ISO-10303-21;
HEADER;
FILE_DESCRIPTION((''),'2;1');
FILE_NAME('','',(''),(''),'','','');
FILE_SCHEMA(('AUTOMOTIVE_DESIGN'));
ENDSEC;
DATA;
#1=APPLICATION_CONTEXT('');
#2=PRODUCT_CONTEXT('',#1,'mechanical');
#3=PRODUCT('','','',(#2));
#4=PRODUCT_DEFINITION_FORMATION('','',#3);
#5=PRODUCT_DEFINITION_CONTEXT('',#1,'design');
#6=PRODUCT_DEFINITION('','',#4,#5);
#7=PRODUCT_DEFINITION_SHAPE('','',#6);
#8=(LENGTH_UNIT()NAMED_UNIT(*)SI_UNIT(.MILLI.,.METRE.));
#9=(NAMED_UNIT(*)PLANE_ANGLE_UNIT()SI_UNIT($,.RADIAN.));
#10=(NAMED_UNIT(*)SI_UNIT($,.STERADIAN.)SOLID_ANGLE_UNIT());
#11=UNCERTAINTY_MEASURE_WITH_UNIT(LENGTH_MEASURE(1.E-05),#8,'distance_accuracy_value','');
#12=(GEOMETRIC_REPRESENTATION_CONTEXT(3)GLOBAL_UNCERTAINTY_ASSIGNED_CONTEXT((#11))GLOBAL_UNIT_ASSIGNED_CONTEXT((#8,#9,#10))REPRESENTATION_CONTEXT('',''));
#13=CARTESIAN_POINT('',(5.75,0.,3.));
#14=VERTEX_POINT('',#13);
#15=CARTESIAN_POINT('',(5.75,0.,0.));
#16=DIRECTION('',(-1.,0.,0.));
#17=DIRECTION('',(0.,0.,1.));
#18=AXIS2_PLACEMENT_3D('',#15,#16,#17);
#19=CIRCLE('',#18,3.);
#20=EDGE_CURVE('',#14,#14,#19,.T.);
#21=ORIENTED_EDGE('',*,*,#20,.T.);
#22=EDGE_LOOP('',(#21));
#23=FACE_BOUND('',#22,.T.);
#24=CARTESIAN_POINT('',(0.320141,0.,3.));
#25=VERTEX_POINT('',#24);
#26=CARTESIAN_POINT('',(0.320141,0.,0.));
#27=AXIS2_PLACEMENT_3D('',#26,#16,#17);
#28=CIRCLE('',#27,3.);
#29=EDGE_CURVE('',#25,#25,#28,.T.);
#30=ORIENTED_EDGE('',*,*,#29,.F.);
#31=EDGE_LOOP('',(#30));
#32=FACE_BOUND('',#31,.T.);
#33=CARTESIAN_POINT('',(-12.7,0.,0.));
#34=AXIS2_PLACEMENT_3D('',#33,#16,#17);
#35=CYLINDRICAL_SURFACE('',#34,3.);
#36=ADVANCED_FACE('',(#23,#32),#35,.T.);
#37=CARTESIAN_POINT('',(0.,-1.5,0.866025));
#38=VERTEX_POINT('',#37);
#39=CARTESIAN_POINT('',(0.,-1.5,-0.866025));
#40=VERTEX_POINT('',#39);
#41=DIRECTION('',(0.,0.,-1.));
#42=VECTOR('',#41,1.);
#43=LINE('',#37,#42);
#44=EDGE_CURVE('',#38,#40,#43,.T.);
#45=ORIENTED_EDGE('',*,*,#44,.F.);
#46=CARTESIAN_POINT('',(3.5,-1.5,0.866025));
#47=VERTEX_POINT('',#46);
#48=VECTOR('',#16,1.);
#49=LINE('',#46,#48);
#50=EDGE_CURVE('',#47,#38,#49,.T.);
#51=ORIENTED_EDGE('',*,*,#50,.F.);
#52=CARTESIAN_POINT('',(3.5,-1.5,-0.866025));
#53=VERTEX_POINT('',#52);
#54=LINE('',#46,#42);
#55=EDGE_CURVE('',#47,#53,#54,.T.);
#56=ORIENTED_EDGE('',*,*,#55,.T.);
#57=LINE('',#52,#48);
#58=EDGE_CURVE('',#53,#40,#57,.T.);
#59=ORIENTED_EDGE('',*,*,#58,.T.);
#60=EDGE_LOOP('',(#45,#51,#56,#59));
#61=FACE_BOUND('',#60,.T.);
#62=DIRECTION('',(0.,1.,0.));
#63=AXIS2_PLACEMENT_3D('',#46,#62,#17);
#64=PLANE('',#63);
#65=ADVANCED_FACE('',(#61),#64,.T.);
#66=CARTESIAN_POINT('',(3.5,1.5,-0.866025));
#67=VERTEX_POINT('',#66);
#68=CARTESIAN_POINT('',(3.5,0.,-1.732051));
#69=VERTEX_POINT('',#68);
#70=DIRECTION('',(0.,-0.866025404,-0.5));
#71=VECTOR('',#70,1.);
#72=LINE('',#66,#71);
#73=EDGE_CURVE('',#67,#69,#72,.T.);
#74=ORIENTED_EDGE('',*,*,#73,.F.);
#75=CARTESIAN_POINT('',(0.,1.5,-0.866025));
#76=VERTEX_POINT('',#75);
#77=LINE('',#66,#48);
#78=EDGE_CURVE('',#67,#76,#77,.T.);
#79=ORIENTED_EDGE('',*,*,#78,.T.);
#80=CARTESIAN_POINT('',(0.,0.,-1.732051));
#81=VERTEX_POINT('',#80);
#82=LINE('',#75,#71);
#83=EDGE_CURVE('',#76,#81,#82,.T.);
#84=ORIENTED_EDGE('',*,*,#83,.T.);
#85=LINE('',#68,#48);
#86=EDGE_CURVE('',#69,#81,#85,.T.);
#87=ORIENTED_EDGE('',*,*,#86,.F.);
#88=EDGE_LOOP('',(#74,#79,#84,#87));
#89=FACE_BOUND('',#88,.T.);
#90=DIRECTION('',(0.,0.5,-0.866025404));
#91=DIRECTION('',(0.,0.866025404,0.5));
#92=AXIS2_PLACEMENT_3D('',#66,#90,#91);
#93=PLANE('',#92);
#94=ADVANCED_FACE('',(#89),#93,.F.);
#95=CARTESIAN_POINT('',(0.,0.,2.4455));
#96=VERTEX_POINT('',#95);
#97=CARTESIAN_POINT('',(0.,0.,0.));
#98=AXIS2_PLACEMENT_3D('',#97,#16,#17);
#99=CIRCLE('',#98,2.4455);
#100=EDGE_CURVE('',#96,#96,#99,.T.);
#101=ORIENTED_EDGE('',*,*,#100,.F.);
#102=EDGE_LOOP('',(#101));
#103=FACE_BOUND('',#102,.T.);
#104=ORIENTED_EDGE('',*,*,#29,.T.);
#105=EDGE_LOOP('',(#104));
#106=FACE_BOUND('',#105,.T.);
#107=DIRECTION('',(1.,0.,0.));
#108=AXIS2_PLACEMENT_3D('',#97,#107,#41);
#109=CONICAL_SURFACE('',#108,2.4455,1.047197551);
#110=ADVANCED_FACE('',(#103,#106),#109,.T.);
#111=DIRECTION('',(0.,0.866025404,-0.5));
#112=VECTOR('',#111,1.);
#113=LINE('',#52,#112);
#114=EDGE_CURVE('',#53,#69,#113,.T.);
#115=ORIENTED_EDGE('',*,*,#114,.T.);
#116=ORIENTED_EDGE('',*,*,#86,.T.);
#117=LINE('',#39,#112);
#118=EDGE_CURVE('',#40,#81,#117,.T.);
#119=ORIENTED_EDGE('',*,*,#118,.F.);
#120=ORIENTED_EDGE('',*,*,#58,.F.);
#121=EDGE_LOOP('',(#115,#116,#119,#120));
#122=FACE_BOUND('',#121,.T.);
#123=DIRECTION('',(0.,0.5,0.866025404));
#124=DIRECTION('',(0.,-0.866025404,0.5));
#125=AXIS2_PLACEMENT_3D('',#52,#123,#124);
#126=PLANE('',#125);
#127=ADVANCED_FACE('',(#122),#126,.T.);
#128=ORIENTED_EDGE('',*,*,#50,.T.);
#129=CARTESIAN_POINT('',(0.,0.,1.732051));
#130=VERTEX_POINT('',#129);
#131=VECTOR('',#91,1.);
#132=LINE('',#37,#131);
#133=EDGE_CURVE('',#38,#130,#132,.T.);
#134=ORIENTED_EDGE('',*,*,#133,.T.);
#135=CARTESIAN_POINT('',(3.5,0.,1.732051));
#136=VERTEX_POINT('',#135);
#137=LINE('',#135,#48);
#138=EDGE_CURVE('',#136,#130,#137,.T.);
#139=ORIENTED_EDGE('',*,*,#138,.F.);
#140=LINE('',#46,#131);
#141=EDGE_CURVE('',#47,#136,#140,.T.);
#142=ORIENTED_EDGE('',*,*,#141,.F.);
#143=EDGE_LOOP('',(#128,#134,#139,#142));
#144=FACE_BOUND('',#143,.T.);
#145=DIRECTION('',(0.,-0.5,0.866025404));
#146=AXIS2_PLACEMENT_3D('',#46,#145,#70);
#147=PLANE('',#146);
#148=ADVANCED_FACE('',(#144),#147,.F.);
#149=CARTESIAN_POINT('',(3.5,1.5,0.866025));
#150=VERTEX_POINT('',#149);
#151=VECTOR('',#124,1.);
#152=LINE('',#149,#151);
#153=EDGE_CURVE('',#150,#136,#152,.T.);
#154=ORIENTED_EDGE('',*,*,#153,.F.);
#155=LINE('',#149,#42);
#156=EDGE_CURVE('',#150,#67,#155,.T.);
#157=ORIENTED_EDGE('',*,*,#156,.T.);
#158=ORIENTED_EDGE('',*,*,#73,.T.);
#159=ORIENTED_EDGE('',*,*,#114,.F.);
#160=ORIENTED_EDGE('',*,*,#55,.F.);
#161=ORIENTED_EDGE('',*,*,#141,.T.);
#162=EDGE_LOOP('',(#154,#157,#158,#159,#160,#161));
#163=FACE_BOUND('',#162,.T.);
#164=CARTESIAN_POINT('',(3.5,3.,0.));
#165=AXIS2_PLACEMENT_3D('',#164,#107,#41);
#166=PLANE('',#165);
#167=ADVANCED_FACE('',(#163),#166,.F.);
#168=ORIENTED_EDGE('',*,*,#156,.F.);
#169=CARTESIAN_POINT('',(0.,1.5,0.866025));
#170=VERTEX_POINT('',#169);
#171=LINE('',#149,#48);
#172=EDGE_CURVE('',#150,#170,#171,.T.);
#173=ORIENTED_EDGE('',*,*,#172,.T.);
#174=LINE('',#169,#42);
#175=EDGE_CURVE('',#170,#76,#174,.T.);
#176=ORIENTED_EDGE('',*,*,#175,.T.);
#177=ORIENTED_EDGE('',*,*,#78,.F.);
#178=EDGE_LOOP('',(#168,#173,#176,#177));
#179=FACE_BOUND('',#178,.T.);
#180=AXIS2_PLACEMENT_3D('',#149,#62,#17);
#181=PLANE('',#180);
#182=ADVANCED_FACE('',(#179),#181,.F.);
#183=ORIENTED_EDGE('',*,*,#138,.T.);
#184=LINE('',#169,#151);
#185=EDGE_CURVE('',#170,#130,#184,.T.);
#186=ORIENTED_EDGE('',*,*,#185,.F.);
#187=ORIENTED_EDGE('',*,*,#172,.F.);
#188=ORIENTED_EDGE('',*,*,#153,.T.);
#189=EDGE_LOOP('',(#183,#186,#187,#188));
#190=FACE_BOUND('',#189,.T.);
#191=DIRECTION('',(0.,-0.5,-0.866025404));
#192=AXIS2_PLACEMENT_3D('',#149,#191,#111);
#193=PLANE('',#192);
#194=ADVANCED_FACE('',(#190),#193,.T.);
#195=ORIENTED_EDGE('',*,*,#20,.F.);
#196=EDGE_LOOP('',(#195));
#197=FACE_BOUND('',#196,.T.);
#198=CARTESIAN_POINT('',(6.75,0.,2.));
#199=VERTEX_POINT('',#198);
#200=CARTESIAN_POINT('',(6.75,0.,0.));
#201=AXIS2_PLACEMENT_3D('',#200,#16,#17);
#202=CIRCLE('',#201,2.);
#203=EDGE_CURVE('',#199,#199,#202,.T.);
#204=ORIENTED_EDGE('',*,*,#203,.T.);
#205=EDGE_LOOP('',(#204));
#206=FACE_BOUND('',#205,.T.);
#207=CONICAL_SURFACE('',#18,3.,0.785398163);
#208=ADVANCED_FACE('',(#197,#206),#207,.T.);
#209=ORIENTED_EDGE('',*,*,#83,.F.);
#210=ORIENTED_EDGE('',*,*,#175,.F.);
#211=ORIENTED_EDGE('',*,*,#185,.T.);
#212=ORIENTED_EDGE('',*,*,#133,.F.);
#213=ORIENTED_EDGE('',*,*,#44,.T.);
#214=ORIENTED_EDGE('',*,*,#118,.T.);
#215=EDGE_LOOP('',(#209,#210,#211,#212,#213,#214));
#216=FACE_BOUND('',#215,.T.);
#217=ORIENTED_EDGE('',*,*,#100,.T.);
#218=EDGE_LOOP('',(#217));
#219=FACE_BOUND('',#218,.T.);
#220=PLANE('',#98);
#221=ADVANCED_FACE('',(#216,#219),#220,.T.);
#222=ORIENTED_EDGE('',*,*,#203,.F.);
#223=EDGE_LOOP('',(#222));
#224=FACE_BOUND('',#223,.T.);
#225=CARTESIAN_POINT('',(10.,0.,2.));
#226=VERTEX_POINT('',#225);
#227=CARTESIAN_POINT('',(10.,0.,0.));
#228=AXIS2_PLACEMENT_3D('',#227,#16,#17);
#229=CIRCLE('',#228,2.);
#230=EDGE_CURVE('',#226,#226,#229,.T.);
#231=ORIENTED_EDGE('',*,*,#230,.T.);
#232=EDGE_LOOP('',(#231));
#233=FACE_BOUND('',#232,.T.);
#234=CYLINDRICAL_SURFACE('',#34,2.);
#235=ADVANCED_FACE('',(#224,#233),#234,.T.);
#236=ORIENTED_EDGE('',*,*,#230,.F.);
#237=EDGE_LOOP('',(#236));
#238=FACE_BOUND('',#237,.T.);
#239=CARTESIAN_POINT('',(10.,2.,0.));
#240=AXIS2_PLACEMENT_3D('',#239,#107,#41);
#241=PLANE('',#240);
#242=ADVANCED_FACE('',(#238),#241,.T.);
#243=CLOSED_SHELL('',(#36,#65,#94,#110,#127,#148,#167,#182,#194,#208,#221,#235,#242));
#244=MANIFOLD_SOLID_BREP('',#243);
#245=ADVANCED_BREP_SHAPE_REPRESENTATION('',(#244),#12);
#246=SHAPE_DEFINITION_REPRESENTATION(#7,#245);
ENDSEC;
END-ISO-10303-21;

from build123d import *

# Parameters (mm, degrees)
HEX_2_DEPTH = 3.5


with BuildPart() as part:
    # BodySke → BaseBody (revolve)
    with BuildSketch(Plane.XY, mode=Mode.PRIVATE) as basebody_sk:
        Polygon((0, 0), (0, 2.4455), (0.320140724, 3), (5.75, 3), (6.75, 2), (10, 2), (10, 0), align=None)
    revolve(basebody_sk.sketch.rotate(Axis((-12.7, 0, 0), (1, 0, 0)), 90), axis=Axis((-12.7, 0, 0), (1, 0, 0)))

    # Sketch2 → Hex 2 (cut)
    with BuildSketch(Plane.ZY):
        Polygon((0.866025404, 1.5), (-0.866025404, 1.5), (-1.732050808, 0), (-0.866025404, -1.5), (0.866025404, -1.5), (1.732050808, 0), align=None)
    extrude(amount=-HEX_2_DEPTH, mode=Mode.SUBTRACT)


solid = part.part
